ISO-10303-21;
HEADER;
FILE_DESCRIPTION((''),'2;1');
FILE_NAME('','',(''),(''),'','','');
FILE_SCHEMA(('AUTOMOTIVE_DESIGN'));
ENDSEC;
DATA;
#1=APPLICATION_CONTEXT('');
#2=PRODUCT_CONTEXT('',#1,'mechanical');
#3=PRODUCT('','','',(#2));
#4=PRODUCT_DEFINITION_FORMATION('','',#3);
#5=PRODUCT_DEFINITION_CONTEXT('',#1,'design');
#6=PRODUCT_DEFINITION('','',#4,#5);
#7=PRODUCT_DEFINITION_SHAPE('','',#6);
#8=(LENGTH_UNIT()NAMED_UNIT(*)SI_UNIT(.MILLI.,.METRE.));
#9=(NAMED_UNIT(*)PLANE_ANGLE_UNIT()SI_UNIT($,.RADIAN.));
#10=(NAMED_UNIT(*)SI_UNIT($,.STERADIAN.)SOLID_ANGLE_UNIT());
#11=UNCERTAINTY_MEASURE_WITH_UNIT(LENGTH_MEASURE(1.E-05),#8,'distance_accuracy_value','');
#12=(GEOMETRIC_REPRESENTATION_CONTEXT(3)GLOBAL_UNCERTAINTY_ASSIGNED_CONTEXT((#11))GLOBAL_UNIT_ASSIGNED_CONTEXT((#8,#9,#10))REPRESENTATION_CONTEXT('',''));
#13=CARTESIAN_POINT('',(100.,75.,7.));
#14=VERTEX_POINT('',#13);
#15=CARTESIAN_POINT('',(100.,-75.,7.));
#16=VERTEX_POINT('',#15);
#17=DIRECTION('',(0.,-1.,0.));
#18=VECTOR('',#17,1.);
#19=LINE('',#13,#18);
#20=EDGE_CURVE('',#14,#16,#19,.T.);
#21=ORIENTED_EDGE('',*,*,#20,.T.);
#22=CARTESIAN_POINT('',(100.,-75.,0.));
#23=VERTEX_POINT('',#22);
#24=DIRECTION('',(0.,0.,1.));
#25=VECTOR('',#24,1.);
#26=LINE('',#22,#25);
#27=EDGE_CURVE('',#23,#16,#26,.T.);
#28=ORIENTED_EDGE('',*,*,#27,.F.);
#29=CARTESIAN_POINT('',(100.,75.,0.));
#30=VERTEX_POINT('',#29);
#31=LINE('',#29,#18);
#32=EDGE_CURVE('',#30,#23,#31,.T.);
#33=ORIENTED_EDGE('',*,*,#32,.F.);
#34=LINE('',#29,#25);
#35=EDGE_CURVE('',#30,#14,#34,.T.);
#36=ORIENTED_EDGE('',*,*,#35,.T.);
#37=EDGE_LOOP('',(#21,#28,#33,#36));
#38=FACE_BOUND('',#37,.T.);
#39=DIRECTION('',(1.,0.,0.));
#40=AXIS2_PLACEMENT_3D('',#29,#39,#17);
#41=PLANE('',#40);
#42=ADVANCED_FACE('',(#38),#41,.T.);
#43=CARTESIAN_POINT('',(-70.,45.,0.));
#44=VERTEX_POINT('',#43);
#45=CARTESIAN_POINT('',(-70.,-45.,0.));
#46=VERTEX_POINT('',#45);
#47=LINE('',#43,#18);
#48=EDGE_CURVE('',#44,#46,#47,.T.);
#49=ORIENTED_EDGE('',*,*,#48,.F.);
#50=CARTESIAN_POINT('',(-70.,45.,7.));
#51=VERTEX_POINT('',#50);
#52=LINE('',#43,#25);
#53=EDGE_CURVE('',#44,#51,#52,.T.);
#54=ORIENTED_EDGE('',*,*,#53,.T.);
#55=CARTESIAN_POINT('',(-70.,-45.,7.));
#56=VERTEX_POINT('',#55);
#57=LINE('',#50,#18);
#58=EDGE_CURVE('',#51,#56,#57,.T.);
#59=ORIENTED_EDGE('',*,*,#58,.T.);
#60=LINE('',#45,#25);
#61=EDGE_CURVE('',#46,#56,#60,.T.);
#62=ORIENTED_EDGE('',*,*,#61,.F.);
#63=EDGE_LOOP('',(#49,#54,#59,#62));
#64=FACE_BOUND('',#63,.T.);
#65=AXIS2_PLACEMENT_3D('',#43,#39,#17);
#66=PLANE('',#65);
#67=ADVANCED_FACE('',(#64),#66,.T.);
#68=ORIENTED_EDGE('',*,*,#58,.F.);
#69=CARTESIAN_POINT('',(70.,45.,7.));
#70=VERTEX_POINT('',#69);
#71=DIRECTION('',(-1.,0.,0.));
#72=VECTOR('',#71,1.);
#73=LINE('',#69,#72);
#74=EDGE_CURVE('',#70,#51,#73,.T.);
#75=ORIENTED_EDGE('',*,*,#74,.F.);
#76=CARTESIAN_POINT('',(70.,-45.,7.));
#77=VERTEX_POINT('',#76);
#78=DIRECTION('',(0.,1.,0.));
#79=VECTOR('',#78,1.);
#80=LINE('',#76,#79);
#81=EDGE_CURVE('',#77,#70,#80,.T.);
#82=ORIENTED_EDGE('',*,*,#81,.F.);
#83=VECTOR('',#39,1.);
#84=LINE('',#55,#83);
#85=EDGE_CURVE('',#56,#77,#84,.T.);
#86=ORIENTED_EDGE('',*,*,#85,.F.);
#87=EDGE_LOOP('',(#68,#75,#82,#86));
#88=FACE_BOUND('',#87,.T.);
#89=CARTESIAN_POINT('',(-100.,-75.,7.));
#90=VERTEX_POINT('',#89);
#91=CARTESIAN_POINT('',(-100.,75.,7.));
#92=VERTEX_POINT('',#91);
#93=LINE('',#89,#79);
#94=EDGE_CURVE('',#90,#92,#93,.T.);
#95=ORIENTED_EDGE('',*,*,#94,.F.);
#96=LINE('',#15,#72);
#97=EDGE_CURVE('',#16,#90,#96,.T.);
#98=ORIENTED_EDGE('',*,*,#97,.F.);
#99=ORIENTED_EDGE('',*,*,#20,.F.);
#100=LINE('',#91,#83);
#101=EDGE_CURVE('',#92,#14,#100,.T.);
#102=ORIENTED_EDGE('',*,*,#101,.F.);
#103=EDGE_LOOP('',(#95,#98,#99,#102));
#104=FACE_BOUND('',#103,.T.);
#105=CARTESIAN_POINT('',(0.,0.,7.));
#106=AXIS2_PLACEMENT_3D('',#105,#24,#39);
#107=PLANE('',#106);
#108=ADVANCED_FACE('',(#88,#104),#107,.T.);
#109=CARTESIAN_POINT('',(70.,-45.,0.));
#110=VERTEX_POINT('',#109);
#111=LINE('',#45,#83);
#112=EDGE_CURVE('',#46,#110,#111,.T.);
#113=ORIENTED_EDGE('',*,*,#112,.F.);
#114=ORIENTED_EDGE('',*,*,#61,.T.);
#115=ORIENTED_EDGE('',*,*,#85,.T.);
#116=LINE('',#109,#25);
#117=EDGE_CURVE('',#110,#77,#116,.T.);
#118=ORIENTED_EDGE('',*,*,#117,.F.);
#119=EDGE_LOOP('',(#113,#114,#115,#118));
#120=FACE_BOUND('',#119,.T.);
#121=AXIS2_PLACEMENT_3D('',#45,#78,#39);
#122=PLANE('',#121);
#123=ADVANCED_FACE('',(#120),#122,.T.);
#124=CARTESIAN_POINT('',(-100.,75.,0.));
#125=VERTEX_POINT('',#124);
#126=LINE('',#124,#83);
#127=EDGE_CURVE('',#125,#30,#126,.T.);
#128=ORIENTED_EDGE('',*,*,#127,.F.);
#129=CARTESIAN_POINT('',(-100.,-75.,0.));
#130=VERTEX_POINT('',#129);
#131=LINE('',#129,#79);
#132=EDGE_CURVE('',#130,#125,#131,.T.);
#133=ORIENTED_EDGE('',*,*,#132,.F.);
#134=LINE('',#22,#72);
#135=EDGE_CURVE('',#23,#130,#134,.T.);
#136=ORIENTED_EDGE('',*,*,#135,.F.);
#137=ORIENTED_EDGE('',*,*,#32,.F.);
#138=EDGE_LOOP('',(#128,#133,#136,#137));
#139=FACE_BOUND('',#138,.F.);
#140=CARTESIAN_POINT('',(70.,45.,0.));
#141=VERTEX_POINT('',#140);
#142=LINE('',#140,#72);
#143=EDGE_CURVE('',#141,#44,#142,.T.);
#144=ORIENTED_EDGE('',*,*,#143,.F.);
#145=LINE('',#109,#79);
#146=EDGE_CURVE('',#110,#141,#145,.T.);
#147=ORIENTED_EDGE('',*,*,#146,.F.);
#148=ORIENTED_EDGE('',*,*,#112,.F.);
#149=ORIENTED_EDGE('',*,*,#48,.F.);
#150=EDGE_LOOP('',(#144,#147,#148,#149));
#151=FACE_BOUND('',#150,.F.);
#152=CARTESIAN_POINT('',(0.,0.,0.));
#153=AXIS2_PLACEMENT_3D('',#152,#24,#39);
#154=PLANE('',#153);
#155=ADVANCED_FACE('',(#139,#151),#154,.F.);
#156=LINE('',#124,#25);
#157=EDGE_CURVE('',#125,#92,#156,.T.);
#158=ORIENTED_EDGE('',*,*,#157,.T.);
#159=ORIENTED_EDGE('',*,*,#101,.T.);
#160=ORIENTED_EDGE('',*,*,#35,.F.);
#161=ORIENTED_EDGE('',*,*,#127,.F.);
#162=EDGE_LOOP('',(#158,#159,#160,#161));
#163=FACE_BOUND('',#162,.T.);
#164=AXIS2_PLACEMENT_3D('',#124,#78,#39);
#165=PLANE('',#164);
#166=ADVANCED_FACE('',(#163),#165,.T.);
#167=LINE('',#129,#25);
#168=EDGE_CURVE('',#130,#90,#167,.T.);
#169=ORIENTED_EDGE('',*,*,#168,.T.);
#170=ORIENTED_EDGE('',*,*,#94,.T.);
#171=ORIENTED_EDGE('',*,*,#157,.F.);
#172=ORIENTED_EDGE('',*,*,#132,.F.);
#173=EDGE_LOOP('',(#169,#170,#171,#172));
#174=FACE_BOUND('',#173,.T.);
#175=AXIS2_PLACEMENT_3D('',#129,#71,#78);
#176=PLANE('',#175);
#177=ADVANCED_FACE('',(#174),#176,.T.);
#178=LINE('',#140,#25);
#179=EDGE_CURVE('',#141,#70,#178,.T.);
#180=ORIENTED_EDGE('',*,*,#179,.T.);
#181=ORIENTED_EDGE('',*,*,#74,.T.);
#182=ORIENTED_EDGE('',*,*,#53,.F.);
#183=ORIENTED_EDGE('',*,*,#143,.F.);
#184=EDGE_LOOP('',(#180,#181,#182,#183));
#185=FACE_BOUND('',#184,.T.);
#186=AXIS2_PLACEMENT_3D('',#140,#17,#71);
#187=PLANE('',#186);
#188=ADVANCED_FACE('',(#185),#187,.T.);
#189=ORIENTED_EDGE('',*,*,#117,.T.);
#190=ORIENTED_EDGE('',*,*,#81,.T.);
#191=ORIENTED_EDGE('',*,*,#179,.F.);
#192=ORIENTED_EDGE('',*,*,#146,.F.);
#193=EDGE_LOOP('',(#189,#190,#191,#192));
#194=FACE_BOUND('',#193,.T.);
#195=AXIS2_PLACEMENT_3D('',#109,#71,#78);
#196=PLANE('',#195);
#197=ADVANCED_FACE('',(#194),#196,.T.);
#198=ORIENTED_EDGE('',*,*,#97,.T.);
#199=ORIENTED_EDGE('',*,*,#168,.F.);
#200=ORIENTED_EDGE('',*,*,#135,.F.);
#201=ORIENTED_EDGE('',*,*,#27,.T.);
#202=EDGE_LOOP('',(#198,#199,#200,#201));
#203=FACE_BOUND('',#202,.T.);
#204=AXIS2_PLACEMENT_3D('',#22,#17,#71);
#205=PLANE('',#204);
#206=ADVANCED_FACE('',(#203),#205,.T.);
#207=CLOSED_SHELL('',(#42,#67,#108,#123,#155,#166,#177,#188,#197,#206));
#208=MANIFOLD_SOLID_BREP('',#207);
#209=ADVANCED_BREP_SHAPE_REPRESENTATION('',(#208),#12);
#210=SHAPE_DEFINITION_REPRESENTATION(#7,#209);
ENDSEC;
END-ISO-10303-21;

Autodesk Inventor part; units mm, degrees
ref_plane "YZ Plane" through (0, 0, 0) normal (1, 0, 0) x (0, 1, 0)
ref_plane "XZ Plane" through (0, 0, 0) normal (0, 1, 0) x (-1, 0, 0)
ref_plane "XY Plane" through (0, 0, 0) normal (0, 0, 1) x (1, 0, 0)
sketch "Sketch1" plane through (0, 0, 0) normal (0, 0, 1) x (1, 0, 0)
  line L0 (-100, 75) -> (100, 75)
  line L1 (100, 75) -> (100, -75)
  line L2 (100, -75) -> (-100, -75)
  line L3 (-100, -75) -> (-100, 75)
  line L4 (70, 45) -> (-70, 45)
  line L5 (-70, 45) -> (-70, -45)
  line L6 (-70, -45) -> (70, -45)
  line L7 (70, -45) -> (70, 45)
  point P0 (0, 0)
  dimension "d0" = 200
  dimension "d1" = 150
  dimension "d2" = 75
  dimension "d3" = 100
  dimension "d6" = 30
extrude "Extrusion1" add sketch "Sketch1" along normal blind 7
equation "\"d2\" = 0.5 * d1"
equation "\"d3\" = 0.5 * d0"
equation "\"d4\" = hMDF"
equation "\"hMDF\" = 7"
properties part number "Base" material "MDF Medium Density Fiberboard"
